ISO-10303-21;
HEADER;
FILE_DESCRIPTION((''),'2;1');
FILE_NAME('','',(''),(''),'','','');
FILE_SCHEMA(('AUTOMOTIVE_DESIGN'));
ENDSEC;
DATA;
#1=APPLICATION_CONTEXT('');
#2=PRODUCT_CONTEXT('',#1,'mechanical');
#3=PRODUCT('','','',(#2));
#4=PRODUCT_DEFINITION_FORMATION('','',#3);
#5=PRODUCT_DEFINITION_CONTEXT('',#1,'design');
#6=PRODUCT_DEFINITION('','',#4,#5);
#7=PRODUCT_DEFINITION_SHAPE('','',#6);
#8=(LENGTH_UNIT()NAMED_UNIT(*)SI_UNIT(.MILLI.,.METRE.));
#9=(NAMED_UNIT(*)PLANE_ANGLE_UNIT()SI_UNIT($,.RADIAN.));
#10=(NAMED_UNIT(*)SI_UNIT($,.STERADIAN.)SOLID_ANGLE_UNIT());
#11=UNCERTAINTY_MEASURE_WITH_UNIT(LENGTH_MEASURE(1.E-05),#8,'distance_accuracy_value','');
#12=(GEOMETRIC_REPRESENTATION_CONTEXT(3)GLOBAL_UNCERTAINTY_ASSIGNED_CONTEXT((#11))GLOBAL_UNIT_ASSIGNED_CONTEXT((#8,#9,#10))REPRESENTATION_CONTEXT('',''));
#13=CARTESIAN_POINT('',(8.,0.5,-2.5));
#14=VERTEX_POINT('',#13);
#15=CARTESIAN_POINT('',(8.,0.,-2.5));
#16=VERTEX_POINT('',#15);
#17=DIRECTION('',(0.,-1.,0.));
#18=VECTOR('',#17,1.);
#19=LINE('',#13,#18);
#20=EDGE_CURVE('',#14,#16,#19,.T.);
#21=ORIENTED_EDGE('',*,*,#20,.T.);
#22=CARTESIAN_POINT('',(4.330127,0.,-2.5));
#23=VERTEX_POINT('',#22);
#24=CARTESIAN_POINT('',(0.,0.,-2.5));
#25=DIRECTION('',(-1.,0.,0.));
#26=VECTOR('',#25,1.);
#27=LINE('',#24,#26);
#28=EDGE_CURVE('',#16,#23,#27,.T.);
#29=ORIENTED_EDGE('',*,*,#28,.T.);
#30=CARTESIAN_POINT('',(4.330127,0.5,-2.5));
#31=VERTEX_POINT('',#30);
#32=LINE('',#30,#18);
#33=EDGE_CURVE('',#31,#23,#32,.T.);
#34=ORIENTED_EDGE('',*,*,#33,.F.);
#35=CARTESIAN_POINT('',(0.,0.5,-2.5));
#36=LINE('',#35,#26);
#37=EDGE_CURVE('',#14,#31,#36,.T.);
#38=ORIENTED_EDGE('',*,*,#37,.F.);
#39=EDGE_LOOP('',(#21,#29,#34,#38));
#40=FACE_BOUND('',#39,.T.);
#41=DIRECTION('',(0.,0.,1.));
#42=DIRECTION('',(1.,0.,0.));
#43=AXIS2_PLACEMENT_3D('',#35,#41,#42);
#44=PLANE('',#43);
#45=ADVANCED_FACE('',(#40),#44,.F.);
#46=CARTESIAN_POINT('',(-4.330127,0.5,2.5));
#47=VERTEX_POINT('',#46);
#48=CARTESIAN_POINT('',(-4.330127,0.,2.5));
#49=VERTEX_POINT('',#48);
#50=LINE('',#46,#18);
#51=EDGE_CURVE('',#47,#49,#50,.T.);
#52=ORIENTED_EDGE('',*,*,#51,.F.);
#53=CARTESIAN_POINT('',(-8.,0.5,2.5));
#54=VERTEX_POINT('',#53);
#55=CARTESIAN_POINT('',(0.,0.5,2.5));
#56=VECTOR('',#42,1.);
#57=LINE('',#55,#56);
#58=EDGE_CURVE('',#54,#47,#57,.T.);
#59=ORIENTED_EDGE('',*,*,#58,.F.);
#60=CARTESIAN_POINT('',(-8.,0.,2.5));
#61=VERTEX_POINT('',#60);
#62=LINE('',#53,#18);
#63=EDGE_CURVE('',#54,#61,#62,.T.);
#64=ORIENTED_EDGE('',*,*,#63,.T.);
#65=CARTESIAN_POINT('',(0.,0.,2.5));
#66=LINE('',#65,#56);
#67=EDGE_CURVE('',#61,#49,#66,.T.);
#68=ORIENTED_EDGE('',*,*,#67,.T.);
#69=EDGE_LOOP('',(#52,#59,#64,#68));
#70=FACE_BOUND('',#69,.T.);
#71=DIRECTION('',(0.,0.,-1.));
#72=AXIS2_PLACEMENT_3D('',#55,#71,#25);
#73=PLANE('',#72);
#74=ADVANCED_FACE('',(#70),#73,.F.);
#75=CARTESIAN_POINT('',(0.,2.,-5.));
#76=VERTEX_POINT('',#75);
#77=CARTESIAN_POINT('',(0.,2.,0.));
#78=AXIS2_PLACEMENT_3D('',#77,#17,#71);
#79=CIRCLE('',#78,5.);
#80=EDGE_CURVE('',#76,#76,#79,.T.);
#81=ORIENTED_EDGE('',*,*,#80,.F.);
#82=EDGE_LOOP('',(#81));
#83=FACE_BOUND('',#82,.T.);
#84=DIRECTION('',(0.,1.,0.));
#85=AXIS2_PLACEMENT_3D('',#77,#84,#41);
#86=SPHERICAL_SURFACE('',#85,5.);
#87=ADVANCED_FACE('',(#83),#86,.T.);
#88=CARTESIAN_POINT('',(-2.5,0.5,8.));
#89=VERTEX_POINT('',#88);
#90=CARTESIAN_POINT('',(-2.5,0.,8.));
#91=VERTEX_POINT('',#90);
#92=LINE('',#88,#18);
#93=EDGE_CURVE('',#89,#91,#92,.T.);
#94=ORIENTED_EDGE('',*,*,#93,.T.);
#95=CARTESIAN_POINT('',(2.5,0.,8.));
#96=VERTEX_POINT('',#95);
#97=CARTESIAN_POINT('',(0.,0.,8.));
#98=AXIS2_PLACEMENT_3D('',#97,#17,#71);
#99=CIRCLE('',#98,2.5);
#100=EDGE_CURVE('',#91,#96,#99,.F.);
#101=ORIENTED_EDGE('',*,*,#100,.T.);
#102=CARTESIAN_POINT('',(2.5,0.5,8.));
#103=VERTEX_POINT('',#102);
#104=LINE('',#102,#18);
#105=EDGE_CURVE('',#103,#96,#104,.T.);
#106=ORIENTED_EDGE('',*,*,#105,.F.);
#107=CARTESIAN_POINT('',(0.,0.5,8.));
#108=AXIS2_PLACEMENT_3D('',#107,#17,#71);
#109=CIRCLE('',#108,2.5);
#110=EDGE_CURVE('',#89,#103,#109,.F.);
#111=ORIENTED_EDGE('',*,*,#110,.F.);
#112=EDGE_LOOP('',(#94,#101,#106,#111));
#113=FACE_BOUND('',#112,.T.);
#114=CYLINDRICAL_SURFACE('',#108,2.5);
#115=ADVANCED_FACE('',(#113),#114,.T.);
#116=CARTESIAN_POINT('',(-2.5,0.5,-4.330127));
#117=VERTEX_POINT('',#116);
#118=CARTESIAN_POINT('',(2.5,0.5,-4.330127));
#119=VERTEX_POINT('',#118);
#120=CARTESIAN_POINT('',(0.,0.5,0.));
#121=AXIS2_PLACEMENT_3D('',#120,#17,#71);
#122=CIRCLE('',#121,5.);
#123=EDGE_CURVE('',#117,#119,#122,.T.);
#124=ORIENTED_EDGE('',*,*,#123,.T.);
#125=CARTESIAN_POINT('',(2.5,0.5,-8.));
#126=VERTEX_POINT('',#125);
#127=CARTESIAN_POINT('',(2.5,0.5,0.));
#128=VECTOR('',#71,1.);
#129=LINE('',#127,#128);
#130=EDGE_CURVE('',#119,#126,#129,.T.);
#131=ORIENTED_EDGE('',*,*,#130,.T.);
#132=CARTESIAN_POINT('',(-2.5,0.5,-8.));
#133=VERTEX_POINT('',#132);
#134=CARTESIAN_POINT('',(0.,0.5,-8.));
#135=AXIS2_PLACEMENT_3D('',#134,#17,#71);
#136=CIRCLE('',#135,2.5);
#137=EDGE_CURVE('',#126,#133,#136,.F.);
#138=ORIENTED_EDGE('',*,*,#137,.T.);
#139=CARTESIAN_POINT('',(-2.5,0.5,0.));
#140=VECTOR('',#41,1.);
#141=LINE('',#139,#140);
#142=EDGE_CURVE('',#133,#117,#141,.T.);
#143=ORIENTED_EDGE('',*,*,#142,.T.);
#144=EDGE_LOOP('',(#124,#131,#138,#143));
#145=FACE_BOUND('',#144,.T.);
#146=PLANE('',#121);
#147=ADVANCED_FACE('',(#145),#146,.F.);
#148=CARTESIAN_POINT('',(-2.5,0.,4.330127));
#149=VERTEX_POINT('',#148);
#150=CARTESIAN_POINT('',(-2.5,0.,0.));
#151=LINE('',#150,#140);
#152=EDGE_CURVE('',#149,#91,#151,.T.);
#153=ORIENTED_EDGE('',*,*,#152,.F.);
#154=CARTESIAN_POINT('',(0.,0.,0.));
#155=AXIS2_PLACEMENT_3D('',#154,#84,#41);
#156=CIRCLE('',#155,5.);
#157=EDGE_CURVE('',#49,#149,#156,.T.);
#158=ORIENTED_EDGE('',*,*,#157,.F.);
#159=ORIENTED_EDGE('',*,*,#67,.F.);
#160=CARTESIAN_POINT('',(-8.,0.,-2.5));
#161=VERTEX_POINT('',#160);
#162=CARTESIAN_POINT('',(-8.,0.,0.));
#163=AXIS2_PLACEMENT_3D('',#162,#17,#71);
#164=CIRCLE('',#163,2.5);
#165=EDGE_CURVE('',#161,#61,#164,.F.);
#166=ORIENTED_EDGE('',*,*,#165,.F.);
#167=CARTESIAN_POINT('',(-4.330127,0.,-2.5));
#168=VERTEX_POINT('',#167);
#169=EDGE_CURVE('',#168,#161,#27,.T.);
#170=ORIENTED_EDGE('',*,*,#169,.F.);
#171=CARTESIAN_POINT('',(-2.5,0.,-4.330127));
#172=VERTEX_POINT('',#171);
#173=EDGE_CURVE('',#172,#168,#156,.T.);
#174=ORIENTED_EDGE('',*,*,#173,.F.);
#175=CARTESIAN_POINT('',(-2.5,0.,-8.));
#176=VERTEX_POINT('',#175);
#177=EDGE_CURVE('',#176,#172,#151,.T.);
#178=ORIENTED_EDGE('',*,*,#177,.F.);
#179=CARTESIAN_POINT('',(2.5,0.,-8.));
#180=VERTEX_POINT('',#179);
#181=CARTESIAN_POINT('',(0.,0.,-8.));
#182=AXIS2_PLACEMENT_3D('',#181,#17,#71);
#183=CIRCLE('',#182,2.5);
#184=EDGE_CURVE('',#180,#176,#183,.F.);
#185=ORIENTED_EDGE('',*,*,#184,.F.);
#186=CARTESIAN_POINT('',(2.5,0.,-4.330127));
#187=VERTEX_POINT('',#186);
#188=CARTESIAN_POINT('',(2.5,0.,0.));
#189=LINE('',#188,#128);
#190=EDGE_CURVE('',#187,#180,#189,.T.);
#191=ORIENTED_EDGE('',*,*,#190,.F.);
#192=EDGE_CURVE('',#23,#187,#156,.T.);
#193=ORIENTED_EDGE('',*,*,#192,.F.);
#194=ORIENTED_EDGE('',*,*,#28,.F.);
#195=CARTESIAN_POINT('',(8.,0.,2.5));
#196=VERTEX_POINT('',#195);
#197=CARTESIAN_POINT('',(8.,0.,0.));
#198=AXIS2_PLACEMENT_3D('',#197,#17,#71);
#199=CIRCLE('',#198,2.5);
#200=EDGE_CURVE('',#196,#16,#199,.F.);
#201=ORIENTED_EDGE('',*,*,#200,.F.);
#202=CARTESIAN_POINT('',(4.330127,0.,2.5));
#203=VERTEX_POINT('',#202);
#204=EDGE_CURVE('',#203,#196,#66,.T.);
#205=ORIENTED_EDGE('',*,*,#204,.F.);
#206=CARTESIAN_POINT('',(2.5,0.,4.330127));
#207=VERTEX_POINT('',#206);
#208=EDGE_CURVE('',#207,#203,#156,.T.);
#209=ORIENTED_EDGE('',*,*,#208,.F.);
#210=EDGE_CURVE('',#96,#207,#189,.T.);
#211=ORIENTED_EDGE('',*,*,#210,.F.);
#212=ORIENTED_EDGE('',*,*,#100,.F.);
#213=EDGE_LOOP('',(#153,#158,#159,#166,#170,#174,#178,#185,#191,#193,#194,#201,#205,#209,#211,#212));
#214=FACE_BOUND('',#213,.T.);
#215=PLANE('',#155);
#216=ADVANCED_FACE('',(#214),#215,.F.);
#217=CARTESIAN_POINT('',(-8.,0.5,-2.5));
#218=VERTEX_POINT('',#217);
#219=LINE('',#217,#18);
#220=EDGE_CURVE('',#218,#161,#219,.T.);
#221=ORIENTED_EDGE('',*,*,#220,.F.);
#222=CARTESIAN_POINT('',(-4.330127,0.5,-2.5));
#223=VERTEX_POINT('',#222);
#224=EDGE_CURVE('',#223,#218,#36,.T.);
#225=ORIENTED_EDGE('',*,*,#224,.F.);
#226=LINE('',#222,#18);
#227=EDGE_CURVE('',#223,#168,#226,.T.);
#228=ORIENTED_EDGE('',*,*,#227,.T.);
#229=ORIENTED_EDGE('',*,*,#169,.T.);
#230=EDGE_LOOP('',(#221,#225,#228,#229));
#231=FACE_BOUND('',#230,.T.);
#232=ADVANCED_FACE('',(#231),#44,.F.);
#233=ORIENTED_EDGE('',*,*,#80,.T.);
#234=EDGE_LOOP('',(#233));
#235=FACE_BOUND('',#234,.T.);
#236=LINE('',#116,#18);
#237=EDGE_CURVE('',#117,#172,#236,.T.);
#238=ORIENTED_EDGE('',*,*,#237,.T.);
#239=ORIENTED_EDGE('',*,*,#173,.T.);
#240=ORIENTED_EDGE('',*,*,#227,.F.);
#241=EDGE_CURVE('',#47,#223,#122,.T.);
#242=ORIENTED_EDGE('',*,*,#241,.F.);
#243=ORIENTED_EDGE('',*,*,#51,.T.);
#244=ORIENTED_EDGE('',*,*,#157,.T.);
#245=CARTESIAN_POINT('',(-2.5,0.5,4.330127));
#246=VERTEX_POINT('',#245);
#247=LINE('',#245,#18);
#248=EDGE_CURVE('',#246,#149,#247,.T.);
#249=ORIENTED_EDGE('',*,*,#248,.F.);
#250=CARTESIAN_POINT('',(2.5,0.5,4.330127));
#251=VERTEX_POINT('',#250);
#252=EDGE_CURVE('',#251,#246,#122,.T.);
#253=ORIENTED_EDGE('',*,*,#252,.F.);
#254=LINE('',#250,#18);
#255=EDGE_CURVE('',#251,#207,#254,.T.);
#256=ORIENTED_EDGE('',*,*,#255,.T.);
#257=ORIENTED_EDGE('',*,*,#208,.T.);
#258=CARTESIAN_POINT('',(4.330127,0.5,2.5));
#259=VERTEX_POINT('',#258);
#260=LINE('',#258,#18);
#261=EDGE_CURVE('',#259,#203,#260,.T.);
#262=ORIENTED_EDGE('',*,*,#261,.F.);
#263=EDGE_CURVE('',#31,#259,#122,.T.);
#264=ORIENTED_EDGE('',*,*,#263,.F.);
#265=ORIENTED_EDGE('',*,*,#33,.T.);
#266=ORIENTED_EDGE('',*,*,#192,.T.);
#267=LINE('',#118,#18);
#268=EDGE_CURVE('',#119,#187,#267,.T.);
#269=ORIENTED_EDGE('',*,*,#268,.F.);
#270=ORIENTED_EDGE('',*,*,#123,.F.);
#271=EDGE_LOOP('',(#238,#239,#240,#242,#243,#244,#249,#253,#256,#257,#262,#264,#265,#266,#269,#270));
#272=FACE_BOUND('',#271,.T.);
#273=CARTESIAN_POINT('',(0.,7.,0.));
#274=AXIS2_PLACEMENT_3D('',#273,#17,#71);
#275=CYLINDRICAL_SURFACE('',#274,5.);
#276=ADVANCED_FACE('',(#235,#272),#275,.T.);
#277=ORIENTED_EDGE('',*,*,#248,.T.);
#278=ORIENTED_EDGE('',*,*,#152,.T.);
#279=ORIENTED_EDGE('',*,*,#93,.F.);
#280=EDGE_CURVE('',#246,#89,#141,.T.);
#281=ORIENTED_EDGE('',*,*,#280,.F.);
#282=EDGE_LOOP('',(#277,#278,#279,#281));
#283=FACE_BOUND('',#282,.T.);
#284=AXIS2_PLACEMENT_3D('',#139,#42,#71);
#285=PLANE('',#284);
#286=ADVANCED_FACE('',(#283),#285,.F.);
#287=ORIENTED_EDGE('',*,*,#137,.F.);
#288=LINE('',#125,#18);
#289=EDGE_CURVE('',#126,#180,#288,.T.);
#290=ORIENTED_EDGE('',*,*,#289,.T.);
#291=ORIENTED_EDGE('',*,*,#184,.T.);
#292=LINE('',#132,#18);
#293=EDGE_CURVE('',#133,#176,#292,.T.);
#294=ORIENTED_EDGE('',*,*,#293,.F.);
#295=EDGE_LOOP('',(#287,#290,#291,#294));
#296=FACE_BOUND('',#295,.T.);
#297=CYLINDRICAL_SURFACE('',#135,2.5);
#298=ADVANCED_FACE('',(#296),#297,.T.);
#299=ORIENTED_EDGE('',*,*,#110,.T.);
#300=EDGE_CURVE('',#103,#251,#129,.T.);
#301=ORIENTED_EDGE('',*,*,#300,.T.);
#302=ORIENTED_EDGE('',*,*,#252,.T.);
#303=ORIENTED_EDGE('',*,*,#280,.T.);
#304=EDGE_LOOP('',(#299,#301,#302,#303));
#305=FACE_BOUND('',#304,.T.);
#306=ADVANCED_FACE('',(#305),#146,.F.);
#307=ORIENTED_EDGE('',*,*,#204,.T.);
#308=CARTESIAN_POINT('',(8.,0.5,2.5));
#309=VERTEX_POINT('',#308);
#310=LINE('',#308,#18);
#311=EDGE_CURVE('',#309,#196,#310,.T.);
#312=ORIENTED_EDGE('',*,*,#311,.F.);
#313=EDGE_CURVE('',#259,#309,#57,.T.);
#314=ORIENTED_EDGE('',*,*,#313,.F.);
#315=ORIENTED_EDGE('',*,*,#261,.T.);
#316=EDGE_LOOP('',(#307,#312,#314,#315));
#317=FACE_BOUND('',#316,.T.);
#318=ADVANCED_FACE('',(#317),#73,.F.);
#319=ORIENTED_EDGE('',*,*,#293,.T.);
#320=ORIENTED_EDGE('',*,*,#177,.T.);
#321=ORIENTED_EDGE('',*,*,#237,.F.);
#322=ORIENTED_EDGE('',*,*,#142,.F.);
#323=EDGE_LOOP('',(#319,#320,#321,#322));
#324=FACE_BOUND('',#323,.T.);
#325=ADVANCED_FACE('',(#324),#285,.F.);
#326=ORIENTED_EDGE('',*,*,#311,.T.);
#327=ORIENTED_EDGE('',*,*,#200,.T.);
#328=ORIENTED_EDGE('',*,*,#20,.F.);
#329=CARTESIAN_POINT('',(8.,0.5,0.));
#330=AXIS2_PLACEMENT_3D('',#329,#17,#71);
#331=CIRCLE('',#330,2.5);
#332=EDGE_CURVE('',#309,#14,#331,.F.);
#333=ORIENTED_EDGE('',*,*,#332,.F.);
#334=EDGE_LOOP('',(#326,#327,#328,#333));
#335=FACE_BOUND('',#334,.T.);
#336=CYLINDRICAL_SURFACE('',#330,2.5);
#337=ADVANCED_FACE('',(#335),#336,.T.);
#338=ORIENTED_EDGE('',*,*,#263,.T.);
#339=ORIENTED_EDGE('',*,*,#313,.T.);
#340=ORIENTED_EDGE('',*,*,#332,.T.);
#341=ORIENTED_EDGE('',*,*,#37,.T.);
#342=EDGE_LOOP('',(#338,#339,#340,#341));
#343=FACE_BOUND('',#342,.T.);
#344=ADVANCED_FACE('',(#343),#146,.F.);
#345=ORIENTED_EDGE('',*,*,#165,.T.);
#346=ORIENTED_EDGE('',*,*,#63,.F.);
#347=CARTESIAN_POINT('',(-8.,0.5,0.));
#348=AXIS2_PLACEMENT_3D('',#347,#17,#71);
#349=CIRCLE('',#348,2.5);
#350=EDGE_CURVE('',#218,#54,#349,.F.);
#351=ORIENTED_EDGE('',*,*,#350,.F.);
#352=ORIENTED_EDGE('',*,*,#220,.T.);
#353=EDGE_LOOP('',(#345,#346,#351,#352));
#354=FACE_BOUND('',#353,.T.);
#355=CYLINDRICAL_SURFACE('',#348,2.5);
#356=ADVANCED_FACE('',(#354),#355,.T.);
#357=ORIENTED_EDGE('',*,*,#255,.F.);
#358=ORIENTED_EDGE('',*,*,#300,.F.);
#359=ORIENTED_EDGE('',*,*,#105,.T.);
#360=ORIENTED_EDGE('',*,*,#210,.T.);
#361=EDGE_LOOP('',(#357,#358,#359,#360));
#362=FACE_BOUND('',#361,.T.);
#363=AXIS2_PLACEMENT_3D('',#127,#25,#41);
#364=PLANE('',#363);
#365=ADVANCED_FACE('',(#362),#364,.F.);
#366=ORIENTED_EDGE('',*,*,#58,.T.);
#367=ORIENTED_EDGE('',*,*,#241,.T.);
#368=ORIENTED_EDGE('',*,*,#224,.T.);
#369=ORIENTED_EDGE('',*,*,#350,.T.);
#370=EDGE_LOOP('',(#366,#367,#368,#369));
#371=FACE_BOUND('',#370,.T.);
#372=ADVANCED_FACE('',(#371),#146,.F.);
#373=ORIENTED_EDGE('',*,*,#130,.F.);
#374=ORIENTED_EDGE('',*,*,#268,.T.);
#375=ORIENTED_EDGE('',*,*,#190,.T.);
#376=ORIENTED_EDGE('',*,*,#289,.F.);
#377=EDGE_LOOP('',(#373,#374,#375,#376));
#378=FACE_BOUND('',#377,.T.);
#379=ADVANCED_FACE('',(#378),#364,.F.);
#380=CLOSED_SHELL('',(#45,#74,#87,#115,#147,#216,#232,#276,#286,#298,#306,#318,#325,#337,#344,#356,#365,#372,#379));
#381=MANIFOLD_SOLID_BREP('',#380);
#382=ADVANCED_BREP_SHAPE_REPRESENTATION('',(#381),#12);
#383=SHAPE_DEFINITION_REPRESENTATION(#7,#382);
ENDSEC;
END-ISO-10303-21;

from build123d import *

# Parameters (mm, degrees)
SKETCH1_R           = 5
BOSS_EXTRUDE1_DEPTH = 7
FILLET1_R           = 5
BOSS_EXTRU_1_DEPTH  = 0.5


with BuildPart() as part:
    # Sketch1 → Boss-Extrude1 (new body)
    with BuildSketch(Plane(origin=(0, 0, 0), x_dir=(1, 0, 0), z_dir=(0, 1, 0))):
        Circle(SKETCH1_R)
    extrude(amount=BOSS_EXTRUDE1_DEPTH)

    # Fillet1
    fillet1_edges = [part.edges().sort_by_distance(p)[0] for p in [
        (-5, 7, 0),
    ]]
    fillet(fillet1_edges, radius=FILLET1_R)

    # Esquisse1 → Boss.-Extru.1 (add)
    with BuildSketch(Plane.XZ):
        with BuildLine():
            Line((-2.5, 8), (-2.5, 4.330127019))
            ThreePointArc((-2.5, 4.330127019), (0, 5), (2.5, 4.330127019))
            Line((2.5, 4.330127019), (2.5, 8))
            ThreePointArc((2.5, 8), (0, 10.5), (-2.5, 8))
        make_face()
        with BuildLine():
            ThreePointArc((-4.330127019, -2.5), (-5, 0), (-4.330127019, 2.5))
            Line((-4.330127019, 2.5), (-8, 2.5))
            ThreePointArc((-8, 2.5), (-10.5, 0), (-8, -2.5))
            Line((-8, -2.5), (-4.330127019, -2.5))
        make_face()
        with BuildLine():
            Line((8, 2.5), (4.330127019, 2.5))
            ThreePointArc((4.330127019, 2.5), (5, 0), (4.330127019, -2.5))
            Line((4.330127019, -2.5), (8, -2.5))
            ThreePointArc((8, -2.5), (10.5, 0), (8, 2.5))
        make_face()
        with BuildLine():
            ThreePointArc((2.5, -4.330127019), (0, -5), (-2.5, -4.330127019))
            Line((-2.5, -4.330127019), (-2.5, -8))
            ThreePointArc((-2.5, -8), (0, -10.5), (2.5, -8))
            Line((2.5, -8), (2.5, -4.330127019))
        make_face()
    extrude(amount=-BOSS_EXTRU_1_DEPTH)


solid = part.part
